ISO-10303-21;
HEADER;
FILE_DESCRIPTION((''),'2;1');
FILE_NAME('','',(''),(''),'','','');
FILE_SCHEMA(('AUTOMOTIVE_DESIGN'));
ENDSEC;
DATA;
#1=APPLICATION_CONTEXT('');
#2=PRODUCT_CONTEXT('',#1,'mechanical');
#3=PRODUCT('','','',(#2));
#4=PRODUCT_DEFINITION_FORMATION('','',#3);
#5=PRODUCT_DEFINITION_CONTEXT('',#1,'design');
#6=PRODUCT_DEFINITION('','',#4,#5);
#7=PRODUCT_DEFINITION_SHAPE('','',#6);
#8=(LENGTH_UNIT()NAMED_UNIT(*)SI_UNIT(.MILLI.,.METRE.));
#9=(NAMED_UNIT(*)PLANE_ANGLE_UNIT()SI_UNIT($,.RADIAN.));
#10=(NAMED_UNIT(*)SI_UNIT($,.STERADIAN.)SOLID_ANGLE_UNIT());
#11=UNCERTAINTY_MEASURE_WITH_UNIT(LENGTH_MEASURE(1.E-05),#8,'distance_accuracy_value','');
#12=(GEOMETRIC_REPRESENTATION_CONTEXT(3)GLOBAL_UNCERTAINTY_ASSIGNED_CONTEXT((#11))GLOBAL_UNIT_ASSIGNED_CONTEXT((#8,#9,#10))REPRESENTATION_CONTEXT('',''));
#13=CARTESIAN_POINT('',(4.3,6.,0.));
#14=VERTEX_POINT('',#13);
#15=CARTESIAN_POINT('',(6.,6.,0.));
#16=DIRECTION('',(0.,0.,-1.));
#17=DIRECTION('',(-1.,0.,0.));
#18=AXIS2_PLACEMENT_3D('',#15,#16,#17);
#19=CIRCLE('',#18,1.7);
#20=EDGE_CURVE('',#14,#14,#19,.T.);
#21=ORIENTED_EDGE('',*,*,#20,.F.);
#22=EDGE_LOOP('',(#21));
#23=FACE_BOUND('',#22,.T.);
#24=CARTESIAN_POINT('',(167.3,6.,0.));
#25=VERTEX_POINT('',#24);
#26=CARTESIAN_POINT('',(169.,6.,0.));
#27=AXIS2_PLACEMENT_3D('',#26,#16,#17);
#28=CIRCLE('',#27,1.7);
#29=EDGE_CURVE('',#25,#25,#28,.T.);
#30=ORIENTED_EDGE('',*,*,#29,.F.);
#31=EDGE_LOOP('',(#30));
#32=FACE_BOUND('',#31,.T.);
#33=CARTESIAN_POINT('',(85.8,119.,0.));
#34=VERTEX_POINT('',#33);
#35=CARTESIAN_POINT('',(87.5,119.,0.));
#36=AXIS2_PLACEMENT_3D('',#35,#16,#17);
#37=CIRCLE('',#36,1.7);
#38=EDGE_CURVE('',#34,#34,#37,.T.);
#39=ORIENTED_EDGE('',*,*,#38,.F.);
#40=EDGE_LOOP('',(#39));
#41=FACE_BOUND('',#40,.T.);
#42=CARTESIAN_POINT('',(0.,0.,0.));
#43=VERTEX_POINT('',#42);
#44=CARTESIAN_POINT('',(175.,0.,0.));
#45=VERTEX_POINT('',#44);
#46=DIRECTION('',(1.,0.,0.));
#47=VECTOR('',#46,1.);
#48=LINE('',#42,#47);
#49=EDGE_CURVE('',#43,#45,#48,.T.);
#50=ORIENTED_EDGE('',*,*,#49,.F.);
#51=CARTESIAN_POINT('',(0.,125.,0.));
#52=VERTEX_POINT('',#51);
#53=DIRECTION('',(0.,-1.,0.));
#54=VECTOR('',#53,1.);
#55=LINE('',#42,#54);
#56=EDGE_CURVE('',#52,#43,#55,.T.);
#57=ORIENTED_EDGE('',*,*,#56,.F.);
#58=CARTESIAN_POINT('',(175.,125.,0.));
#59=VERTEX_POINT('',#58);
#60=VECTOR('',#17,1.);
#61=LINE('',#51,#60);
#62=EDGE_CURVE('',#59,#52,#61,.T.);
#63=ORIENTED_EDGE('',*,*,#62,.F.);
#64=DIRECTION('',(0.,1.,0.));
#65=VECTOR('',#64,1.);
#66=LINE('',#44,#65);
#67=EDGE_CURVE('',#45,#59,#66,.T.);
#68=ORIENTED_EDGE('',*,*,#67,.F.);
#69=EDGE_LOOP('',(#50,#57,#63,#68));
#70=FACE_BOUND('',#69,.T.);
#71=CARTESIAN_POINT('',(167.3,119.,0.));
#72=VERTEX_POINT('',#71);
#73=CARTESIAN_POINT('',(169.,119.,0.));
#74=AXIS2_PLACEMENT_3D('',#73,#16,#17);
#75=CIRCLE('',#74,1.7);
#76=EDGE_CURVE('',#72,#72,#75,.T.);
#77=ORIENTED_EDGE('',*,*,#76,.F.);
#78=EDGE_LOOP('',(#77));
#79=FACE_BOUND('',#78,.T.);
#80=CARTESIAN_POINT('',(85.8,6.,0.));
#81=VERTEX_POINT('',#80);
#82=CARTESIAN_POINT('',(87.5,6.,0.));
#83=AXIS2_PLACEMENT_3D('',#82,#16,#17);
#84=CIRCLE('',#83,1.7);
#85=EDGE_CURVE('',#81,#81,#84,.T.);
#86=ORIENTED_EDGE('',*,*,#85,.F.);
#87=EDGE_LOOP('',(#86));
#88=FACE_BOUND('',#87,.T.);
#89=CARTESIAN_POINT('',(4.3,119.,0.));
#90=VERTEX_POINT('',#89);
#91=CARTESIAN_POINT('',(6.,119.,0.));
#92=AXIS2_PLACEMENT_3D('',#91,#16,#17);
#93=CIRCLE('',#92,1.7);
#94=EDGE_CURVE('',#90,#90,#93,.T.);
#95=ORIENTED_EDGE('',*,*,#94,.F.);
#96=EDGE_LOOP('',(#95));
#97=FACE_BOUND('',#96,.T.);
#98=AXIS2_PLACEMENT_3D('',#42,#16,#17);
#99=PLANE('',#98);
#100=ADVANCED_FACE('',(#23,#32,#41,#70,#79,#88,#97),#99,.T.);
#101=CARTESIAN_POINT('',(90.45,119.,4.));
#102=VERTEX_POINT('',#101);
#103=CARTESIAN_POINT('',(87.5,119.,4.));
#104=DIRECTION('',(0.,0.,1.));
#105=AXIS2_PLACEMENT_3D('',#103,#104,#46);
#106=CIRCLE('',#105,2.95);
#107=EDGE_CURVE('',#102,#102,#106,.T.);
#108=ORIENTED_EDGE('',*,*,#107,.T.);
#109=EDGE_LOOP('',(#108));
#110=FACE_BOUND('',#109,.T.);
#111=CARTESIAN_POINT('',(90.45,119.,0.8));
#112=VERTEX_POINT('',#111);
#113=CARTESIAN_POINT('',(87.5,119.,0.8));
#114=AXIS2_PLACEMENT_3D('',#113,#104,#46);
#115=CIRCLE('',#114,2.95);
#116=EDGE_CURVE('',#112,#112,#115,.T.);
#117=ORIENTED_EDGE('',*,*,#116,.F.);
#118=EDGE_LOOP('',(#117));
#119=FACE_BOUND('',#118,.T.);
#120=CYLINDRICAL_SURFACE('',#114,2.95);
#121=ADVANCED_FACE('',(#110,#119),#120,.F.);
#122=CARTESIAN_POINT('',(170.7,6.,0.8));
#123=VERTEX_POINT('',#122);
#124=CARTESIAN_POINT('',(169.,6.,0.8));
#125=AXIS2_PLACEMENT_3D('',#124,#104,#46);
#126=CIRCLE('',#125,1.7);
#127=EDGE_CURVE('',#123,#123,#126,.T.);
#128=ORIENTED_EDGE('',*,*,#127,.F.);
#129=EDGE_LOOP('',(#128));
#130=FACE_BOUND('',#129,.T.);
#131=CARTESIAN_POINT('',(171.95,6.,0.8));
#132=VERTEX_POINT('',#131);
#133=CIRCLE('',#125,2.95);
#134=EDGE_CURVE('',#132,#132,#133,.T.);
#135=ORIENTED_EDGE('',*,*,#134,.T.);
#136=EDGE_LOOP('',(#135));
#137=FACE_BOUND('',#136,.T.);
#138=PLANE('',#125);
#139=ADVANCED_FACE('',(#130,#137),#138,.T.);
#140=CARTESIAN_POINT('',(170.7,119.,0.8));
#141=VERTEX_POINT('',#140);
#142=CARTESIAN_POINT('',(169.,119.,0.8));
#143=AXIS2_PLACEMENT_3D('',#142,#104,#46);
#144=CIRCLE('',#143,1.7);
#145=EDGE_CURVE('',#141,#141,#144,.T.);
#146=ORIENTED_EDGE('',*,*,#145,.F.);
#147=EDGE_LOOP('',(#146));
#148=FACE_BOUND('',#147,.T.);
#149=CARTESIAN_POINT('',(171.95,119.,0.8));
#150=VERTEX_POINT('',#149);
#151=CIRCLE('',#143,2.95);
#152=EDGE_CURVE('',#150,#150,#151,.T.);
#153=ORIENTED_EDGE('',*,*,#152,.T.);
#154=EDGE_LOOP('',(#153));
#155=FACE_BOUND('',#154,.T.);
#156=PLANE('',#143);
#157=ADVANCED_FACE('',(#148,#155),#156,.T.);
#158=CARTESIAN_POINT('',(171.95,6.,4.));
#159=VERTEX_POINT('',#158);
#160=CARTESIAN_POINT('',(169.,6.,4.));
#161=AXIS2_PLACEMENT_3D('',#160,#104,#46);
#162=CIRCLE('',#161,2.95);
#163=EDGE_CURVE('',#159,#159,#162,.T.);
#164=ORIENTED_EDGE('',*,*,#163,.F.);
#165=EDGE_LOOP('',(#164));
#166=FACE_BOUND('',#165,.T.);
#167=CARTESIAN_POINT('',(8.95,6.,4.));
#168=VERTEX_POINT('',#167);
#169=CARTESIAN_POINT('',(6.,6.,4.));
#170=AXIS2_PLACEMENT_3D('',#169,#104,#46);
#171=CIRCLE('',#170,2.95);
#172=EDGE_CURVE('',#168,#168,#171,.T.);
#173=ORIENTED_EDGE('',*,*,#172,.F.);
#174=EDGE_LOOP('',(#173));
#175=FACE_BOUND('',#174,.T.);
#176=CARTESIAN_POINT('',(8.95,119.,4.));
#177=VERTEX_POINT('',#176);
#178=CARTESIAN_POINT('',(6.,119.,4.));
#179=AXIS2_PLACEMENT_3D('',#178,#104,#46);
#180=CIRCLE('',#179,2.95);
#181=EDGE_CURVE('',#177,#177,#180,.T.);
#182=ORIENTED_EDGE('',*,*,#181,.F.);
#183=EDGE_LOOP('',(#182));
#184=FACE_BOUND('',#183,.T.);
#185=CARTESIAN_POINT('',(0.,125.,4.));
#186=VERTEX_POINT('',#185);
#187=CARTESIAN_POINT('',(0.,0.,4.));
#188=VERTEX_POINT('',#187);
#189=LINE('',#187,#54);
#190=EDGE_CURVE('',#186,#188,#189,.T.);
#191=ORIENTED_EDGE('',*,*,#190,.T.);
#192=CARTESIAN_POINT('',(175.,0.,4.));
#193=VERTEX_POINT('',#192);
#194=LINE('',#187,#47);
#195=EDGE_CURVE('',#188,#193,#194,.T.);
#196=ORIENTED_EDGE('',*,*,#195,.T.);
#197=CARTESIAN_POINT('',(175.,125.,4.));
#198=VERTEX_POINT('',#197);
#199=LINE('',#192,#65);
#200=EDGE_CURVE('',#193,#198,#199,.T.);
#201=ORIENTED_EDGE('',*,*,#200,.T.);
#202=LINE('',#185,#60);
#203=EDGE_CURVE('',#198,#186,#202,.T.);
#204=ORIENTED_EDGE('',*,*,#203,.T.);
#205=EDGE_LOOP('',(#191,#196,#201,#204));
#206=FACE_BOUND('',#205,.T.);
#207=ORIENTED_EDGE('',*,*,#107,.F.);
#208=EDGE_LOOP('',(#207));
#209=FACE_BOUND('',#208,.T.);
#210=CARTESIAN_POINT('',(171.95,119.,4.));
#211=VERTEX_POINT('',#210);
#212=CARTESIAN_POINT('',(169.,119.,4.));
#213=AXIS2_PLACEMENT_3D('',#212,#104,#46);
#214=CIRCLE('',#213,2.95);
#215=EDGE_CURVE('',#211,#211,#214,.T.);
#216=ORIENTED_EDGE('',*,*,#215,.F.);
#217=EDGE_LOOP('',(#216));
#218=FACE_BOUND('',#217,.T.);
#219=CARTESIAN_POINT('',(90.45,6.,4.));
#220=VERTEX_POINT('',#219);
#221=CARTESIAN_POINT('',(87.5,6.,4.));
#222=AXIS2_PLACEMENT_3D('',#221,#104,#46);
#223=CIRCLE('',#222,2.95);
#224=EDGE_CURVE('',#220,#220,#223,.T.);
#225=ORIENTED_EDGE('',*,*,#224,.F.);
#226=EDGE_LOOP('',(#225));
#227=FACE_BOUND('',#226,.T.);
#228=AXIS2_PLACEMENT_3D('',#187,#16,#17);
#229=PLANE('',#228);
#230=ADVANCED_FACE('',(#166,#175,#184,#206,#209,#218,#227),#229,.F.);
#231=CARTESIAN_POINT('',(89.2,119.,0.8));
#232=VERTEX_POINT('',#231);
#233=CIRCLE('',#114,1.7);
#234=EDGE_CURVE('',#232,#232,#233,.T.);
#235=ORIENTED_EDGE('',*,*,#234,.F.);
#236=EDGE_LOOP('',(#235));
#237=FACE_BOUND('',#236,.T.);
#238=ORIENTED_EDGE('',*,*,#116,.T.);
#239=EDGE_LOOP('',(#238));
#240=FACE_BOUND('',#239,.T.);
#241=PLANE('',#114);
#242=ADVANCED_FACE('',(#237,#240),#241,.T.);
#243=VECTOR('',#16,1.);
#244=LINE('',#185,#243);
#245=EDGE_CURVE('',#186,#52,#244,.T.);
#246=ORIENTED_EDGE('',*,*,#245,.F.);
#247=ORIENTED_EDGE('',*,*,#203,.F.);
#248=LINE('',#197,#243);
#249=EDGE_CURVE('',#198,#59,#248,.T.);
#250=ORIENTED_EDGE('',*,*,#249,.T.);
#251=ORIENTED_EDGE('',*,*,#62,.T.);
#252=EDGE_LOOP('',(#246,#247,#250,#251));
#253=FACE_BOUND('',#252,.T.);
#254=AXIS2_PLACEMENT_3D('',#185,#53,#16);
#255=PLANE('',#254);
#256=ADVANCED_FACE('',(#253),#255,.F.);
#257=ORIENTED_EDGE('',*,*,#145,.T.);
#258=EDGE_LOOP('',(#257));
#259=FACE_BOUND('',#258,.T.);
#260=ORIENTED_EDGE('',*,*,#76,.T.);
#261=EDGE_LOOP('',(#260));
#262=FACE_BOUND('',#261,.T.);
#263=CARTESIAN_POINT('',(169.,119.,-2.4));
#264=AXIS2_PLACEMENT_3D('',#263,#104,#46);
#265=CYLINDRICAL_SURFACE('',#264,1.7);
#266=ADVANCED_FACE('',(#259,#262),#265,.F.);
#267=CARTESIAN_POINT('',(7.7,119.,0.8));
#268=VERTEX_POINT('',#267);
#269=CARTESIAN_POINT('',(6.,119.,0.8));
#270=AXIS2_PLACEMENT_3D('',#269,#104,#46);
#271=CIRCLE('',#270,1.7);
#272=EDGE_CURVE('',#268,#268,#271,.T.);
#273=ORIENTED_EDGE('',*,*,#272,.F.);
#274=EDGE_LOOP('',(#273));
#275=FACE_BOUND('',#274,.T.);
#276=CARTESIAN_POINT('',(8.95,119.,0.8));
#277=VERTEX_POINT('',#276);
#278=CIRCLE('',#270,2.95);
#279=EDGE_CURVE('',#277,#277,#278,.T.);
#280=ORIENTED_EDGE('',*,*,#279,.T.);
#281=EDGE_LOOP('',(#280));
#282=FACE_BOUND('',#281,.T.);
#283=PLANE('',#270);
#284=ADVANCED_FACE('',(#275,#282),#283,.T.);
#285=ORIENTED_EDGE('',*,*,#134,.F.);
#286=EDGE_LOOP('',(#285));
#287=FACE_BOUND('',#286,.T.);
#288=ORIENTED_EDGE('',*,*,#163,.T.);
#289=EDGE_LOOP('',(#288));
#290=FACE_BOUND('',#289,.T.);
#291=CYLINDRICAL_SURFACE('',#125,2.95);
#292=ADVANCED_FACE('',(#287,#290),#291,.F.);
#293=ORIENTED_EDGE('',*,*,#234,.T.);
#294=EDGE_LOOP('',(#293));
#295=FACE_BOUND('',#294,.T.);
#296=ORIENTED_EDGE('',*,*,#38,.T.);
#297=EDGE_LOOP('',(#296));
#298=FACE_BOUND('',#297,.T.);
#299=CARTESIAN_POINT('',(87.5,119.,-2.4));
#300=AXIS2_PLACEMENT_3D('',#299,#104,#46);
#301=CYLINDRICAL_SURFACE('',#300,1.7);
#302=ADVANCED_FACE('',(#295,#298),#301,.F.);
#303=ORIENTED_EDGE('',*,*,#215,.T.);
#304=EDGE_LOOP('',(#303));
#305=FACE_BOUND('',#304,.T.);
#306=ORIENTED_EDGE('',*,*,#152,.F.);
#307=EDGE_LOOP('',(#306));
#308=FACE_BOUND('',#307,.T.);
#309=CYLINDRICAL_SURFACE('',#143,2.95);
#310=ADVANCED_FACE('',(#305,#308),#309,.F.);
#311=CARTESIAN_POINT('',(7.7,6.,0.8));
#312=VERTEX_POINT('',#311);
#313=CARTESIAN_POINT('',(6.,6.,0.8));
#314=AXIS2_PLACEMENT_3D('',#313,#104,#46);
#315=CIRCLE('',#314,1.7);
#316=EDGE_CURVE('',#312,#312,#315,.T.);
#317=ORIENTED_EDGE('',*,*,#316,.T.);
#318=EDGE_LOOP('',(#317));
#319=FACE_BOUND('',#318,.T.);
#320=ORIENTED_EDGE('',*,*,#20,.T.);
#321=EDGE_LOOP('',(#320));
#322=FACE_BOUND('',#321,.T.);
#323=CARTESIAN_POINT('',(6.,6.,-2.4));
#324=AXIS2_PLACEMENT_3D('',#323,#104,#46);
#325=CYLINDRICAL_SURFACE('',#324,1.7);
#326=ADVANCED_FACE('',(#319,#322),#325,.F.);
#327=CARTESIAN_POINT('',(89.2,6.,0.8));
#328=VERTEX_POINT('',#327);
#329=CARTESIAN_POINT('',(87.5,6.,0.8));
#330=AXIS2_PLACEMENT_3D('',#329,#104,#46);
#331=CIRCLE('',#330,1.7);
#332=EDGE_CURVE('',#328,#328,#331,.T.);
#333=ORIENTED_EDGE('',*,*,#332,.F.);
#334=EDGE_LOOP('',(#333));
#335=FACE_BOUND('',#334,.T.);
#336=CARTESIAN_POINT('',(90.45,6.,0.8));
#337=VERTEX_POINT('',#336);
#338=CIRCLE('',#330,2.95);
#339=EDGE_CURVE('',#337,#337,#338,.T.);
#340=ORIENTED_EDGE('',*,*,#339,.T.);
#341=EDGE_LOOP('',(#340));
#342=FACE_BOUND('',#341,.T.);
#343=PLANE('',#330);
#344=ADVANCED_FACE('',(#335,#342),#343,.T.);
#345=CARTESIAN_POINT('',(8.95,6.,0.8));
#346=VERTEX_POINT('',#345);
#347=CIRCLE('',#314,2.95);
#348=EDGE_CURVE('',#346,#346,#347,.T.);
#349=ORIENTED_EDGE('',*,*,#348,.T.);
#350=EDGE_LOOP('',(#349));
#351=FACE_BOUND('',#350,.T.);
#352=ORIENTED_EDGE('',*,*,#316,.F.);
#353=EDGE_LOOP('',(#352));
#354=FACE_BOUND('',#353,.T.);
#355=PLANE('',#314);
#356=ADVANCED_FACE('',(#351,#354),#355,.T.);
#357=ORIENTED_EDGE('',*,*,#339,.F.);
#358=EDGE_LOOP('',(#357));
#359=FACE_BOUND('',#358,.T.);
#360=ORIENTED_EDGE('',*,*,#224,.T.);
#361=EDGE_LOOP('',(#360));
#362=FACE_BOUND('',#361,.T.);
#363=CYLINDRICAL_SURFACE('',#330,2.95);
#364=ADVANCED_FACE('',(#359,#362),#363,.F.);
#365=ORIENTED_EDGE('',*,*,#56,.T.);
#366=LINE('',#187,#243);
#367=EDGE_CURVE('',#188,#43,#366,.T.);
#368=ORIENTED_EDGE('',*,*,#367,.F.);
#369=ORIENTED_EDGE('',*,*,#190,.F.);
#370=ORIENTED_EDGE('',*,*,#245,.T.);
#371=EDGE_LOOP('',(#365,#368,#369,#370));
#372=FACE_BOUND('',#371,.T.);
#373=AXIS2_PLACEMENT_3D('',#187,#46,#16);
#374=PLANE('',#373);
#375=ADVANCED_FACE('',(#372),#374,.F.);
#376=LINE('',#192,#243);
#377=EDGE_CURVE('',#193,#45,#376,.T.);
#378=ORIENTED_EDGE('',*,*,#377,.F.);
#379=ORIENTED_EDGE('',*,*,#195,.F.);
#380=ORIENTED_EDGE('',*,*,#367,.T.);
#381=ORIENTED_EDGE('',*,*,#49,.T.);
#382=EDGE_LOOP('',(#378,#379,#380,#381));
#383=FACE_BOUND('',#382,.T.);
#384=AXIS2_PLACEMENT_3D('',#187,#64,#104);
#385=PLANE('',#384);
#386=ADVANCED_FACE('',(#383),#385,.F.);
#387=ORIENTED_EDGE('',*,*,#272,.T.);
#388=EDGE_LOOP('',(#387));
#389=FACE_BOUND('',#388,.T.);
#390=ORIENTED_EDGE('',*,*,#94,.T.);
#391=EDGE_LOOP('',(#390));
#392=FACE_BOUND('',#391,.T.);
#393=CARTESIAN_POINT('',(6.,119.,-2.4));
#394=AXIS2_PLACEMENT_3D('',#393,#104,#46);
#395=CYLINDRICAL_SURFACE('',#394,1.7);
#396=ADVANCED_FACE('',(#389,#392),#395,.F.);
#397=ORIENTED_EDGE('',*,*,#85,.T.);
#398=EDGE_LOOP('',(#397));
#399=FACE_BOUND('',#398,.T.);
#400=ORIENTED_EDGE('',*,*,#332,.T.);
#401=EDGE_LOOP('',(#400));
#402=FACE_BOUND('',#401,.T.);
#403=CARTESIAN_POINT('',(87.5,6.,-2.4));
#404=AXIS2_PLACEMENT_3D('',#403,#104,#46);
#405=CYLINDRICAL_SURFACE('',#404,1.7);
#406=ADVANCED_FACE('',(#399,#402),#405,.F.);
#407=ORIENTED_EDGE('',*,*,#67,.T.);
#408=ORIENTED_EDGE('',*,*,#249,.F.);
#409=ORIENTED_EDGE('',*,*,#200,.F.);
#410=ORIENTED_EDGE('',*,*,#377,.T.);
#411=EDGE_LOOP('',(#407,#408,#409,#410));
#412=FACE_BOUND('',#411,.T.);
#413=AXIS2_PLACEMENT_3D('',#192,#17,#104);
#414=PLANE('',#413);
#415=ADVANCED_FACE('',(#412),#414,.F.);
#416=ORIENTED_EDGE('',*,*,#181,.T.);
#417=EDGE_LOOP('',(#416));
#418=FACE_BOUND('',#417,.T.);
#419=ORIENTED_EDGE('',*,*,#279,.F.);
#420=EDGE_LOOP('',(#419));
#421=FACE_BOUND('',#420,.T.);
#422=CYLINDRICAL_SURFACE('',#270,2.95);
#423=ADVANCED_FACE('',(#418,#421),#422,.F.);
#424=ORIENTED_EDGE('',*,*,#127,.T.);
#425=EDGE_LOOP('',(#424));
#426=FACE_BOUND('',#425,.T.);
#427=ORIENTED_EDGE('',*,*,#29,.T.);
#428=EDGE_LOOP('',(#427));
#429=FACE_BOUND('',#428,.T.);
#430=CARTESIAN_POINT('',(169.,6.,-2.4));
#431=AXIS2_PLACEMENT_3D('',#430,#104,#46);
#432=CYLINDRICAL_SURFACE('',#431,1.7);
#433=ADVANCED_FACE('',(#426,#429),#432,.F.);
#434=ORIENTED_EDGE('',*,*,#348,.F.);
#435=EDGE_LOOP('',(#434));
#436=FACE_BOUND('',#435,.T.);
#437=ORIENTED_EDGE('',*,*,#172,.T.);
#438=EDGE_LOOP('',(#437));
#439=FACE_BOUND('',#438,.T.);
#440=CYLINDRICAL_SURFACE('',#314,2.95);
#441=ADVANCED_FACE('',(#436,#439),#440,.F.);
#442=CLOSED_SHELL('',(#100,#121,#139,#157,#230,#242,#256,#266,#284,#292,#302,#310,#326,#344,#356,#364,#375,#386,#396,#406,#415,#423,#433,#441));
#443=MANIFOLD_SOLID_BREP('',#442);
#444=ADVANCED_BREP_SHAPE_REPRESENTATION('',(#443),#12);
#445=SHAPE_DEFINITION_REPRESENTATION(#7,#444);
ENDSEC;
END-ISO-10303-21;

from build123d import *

# Parameters (mm, degrees)
SKETCH1_W           = 175
SKETCH1_H           = 125
BOSS_EXTRUDE1_DEPTH = 4
SKETCH2_R           = 2.95
CUT_EXTRUDE1_DEPTH  = 3.2
SKETCH3_R           = 1.7
CUT_EXTRUDE2_DEPTH  = 3.2


with BuildPart() as part:
    # Sketch1 → Boss-Extrude1 (new body)
    with BuildSketch(Plane.XY):
        with Locations((87.5, 62.5)):
            Rectangle(SKETCH1_W, SKETCH1_H)
    extrude(amount=BOSS_EXTRUDE1_DEPTH)

    # Sketch2 → Cut-Extrude1 (cut)
    with BuildSketch(Plane.XY.offset(4)):
        with Locations((6, 119)):
            Circle(SKETCH2_R)
        with Locations((169, 119)):
            Circle(SKETCH2_R)
        with Locations((6, 6)):
            Circle(SKETCH2_R)
        with Locations((169, 6)):
            Circle(SKETCH2_R)
        with Locations((87.5, 119)):
            Circle(SKETCH2_R)
        with Locations((87.5, 6)):
            Circle(SKETCH2_R)
    extrude(amount=-CUT_EXTRUDE1_DEPTH, mode=Mode.SUBTRACT)

    # Sketch3 → Cut-Extrude2 (cut)
    with BuildSketch(Plane.XY.offset(0.8)):
        with Locations((6, 119)):
            Circle(SKETCH3_R)
        with Locations((87.5, 119)):
            Circle(SKETCH3_R)
        with Locations((169, 119)):
            Circle(SKETCH3_R)
        with Locations((169, 6)):
            Circle(SKETCH3_R)
        with Locations((87.5, 6)):
            Circle(SKETCH3_R)
        with Locations((6, 6)):
            Circle(SKETCH3_R)
    extrude(amount=-CUT_EXTRUDE2_DEPTH, mode=Mode.SUBTRACT)


solid = part.part
